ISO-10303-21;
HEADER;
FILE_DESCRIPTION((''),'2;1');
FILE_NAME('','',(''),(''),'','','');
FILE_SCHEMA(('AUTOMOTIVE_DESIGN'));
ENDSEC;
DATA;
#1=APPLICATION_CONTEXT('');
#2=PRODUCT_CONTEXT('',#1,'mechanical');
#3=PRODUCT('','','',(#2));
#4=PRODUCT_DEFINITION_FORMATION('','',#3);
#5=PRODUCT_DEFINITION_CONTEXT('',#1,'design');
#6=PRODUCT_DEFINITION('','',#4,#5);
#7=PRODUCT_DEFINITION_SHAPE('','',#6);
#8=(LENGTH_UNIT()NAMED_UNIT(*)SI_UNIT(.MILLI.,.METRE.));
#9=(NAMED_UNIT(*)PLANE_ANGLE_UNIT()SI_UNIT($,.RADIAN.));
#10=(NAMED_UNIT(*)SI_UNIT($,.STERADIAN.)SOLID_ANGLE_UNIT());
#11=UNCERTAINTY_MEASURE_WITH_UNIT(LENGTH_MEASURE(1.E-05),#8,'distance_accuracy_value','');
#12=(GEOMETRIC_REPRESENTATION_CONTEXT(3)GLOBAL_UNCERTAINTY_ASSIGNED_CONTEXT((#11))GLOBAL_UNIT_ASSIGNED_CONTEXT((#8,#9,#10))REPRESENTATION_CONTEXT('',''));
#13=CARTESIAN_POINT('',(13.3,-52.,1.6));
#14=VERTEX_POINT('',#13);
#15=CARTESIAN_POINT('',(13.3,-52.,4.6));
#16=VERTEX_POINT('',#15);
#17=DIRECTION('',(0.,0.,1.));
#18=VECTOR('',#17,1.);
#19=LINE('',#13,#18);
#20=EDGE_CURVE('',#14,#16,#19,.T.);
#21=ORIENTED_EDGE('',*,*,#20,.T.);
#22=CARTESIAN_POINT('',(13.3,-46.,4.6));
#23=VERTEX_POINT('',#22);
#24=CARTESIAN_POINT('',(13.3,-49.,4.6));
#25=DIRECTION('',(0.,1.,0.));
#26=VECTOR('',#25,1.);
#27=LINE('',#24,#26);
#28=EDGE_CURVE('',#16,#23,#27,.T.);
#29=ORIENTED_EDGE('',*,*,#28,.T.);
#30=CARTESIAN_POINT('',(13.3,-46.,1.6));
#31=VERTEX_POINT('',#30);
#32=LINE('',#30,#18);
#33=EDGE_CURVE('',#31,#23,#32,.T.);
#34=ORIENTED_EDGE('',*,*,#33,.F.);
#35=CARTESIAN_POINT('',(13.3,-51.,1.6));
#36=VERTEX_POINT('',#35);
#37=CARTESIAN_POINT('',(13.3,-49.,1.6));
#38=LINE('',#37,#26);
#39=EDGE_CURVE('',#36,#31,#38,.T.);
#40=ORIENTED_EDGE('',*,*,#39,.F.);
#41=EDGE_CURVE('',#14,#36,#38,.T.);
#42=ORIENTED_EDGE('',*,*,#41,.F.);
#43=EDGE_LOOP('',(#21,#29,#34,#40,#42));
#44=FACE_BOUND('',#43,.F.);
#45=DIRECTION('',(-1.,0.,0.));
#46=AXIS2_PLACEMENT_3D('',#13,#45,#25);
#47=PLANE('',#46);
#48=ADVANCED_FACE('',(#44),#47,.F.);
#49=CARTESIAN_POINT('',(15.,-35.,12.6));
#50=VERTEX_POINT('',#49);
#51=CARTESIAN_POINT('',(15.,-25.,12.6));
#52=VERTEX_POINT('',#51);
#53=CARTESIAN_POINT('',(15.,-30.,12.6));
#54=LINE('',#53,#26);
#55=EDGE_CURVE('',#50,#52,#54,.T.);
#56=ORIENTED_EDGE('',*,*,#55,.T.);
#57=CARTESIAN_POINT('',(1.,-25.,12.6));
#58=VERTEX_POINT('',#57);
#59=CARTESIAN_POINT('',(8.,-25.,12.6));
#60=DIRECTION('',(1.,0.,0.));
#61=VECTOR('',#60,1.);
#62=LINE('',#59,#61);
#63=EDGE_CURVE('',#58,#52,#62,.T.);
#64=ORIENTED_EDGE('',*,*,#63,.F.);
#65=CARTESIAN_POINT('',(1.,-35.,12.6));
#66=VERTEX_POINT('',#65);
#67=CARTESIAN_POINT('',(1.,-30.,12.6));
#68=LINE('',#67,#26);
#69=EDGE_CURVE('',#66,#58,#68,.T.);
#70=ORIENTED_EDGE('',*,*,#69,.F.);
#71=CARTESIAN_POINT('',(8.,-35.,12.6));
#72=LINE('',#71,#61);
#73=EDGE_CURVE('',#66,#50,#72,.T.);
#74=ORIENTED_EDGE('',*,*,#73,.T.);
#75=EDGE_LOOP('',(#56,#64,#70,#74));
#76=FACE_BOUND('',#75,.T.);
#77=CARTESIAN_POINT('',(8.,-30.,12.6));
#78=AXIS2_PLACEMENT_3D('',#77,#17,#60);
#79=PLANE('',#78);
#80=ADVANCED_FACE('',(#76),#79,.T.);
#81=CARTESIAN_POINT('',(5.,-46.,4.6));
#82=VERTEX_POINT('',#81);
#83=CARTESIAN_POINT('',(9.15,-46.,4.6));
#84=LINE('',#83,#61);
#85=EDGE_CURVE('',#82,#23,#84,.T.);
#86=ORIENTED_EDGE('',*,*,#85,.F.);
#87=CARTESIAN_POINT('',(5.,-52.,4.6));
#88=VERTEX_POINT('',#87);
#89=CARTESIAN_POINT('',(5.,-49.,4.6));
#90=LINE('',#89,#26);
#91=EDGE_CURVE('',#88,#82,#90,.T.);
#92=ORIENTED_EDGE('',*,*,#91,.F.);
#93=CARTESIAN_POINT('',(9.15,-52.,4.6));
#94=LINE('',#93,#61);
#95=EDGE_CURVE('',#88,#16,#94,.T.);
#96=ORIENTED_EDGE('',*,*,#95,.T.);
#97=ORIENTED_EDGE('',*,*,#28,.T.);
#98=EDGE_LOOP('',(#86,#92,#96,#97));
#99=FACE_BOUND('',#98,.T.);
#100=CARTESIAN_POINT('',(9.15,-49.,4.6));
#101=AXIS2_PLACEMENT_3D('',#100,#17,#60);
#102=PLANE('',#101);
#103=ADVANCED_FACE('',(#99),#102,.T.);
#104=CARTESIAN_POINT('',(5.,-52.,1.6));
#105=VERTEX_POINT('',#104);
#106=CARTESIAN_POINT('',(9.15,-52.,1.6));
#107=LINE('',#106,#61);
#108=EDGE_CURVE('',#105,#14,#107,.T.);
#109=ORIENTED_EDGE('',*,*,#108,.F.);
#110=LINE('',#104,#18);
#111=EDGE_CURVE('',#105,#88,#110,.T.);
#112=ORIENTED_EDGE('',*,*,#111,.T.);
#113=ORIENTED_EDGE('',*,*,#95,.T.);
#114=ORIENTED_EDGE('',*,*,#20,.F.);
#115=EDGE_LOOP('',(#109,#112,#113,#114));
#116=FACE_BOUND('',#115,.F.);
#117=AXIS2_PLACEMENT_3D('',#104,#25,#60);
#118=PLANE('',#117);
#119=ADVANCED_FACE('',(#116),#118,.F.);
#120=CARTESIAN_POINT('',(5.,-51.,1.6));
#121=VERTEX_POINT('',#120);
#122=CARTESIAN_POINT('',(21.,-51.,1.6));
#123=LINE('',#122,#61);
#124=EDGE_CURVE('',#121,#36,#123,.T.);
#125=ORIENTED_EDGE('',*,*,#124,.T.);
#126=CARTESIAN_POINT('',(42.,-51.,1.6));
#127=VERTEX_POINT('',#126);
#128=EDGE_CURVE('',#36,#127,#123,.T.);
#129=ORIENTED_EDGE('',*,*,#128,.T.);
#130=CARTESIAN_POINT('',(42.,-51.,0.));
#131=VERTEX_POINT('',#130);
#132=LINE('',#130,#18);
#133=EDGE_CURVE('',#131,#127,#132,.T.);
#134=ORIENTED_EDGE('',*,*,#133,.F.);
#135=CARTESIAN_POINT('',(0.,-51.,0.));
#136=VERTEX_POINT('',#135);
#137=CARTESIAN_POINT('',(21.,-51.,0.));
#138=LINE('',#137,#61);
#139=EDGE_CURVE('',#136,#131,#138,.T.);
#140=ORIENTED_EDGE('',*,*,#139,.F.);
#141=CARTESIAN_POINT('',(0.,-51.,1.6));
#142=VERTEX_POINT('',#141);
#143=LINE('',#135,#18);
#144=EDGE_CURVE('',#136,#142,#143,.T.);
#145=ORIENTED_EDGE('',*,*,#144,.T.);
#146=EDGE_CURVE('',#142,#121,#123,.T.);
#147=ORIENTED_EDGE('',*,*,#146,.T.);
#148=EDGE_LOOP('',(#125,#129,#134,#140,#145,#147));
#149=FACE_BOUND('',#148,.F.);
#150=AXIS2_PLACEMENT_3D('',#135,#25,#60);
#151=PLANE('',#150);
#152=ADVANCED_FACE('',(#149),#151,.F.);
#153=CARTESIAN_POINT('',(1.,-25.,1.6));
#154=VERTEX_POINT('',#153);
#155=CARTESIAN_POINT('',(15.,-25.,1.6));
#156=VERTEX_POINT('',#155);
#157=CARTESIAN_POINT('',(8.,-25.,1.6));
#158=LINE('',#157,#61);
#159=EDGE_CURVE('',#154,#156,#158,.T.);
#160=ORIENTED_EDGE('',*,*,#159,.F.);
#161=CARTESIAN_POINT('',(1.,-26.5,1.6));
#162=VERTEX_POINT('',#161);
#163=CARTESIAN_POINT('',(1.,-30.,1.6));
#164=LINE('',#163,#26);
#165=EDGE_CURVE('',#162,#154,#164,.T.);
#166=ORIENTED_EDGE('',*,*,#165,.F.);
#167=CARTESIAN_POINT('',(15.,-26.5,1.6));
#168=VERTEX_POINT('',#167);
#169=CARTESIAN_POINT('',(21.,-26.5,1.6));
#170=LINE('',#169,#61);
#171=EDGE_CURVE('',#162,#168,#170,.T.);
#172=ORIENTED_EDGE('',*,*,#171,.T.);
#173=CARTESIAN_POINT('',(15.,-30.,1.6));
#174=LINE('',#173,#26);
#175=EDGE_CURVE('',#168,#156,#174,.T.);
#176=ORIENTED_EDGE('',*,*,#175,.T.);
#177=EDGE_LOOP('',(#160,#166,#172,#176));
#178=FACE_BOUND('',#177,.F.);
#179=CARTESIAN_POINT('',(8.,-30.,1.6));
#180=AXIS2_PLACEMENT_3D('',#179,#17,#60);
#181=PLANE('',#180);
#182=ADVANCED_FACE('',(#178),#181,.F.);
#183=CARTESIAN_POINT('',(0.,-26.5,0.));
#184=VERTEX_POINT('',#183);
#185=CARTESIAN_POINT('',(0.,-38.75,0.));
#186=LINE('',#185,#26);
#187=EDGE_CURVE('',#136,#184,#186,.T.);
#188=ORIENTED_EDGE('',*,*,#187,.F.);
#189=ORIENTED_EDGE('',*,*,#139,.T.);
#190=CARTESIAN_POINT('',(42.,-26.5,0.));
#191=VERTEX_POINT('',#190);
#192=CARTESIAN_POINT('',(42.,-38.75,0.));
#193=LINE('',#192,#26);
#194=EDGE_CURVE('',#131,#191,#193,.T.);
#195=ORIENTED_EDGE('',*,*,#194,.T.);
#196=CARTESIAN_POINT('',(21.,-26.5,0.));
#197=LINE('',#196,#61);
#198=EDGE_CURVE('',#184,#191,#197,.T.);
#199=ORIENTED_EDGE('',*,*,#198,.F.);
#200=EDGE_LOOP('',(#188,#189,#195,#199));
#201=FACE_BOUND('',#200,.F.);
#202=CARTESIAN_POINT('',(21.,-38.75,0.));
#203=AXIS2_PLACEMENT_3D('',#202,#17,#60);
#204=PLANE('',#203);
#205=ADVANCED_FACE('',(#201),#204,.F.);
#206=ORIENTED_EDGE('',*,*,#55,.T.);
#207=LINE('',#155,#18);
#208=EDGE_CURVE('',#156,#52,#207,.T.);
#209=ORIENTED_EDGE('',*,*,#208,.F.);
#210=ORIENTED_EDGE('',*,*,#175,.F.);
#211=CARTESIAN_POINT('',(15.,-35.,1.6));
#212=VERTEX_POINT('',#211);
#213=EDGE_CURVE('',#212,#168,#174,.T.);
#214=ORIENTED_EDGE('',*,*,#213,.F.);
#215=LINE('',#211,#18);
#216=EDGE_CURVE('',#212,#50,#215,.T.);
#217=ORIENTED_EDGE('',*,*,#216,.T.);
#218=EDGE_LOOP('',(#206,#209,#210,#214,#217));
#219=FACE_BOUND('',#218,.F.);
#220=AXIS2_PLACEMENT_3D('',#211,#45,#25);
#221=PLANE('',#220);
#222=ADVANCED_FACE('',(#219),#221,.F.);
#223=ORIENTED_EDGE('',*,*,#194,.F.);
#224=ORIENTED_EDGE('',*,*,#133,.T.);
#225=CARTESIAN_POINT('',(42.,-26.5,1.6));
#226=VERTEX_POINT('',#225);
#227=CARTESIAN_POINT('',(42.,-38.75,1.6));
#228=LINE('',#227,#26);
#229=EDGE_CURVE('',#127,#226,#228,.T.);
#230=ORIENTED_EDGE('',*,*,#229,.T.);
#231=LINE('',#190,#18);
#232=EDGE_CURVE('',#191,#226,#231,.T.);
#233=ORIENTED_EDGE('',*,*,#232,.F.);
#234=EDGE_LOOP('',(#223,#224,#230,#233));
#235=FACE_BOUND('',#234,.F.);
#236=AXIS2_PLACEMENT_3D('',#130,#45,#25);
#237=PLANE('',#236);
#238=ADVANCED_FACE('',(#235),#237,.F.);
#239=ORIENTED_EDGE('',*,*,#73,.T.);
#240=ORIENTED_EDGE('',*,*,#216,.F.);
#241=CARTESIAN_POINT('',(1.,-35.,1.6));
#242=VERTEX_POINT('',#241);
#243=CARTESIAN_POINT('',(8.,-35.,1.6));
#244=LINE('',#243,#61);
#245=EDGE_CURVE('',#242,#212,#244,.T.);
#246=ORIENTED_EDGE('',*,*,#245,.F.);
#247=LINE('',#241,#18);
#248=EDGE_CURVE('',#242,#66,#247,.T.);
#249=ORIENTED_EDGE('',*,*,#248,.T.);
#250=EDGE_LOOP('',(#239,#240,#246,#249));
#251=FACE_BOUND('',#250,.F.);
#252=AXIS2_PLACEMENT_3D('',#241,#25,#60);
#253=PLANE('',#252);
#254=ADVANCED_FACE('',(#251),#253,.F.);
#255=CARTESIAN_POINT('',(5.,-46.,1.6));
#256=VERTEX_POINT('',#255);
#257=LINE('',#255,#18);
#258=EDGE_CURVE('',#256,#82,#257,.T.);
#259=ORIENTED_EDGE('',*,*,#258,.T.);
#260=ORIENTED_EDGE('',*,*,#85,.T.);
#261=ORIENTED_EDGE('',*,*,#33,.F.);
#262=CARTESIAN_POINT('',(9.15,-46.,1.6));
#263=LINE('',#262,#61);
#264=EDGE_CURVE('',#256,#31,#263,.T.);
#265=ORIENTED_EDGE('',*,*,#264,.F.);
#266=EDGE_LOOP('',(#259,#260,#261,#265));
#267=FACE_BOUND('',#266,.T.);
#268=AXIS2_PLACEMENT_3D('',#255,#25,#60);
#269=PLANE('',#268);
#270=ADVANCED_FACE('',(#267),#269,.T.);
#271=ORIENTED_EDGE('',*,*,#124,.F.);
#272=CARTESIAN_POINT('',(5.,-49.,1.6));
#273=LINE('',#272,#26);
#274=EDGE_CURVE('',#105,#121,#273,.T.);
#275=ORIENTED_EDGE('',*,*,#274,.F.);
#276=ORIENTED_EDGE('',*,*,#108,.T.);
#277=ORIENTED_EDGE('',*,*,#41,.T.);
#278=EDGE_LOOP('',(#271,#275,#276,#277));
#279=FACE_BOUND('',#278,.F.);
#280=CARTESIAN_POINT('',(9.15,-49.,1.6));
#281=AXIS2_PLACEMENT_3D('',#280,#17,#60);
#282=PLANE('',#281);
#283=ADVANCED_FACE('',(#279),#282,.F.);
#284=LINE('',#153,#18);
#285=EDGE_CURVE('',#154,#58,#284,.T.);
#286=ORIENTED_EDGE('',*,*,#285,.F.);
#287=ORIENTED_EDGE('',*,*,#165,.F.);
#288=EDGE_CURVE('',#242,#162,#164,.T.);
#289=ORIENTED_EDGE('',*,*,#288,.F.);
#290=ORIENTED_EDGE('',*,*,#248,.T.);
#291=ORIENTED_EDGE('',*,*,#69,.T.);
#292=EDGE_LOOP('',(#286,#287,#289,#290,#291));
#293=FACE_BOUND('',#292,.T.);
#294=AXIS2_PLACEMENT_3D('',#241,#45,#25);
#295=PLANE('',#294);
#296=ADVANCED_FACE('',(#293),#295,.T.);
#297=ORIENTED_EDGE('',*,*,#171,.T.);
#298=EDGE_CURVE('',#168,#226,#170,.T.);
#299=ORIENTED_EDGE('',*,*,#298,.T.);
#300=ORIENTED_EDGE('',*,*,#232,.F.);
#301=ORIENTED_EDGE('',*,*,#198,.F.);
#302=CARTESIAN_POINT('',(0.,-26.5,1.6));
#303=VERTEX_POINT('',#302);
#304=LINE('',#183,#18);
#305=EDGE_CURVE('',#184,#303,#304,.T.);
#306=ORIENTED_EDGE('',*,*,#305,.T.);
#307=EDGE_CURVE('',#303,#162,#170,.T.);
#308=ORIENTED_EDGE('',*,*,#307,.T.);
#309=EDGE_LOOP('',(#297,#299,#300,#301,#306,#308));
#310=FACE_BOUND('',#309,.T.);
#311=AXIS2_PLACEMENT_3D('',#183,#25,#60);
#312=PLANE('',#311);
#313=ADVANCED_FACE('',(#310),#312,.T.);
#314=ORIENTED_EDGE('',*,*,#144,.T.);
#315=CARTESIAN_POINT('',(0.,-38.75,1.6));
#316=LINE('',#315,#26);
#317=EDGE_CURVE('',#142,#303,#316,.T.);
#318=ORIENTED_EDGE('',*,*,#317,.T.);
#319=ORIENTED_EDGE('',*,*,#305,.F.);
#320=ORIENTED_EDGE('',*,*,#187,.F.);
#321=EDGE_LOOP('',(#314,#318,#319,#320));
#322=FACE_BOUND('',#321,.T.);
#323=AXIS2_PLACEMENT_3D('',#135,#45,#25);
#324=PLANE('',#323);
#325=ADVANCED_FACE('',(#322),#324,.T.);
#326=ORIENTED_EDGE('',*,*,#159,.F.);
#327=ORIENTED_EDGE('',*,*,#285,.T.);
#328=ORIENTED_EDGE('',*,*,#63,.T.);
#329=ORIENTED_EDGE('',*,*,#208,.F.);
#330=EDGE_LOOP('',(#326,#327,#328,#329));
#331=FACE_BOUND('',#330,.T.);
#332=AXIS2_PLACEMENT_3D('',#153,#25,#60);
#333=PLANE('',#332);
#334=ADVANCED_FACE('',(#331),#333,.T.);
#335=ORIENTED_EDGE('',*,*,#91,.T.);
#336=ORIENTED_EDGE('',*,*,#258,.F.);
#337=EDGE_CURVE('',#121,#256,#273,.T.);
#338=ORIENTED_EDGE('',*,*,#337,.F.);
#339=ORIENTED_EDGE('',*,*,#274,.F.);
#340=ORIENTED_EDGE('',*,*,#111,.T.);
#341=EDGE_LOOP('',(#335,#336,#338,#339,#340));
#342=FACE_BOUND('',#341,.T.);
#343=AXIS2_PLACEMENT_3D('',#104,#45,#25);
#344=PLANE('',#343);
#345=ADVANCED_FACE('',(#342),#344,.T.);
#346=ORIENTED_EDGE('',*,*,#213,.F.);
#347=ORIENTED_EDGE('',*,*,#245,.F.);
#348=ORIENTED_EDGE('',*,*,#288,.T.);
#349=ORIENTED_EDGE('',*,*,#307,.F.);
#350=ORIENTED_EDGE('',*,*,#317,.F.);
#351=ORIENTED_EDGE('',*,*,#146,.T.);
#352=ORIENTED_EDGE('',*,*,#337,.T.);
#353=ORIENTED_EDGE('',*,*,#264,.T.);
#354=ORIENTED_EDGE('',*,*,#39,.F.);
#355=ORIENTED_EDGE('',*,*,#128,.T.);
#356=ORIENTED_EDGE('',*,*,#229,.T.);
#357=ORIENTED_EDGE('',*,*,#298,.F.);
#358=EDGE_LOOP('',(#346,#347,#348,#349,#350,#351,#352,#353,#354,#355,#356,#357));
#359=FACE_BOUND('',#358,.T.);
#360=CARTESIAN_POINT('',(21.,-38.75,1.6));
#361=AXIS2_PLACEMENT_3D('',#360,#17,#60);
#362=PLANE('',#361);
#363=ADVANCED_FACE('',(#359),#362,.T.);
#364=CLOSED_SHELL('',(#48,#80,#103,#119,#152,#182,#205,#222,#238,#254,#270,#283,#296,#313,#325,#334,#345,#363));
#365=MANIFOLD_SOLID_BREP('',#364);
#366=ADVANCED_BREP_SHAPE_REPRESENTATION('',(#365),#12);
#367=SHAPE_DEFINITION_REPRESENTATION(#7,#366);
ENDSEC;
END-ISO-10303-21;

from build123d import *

# Parameters (mm, degrees)
BOX001_W     = 14
BOX001_H     = 10
BOX001_DEPTH = 11
BOX002_W     = 8.3
BOX002_H     = 6
BOX002_DEPTH = 3
BOX_W        = 42
BOX_H        = 24.5
BOX_DEPTH    = 1.6


with BuildPart() as cube001:
    # Box001 → Box001 (new body)
    with BuildSketch(Plane(origin=(1, 16, 1.6), x_dir=(1, 0, 0), z_dir=(0, 0, 1))):
        with Locations((7, 5)):
            Rectangle(BOX001_W, BOX001_H)
    extrude(amount=BOX001_DEPTH)


with BuildPart() as cube002:
    # Box002 → Box002 (new body)
    with BuildSketch(Plane(origin=(5, -1, 1.6), x_dir=(1, 0, 0), z_dir=(0, 0, 1))):
        with Locations((4.15, 3)):
            Rectangle(BOX002_W, BOX002_H)
    extrude(amount=BOX002_DEPTH)


with BuildPart() as mcu_pcb:
    # Box → Box (new body)
    with BuildSketch(Plane.XY):
        with Locations((21, 12.25)):
            Rectangle(BOX_W, BOX_H)
    extrude(amount=BOX_DEPTH)

    # Fusion: union Cube001, Cube002
    add(cube001.part)
    add(cube002.part)


with BuildPart() as mcu_pcb_1:
    # Fusion placement: moved
    add(mcu_pcb.part.moved(Location((0, -51, 0))))


solid = mcu_pcb_1.part
